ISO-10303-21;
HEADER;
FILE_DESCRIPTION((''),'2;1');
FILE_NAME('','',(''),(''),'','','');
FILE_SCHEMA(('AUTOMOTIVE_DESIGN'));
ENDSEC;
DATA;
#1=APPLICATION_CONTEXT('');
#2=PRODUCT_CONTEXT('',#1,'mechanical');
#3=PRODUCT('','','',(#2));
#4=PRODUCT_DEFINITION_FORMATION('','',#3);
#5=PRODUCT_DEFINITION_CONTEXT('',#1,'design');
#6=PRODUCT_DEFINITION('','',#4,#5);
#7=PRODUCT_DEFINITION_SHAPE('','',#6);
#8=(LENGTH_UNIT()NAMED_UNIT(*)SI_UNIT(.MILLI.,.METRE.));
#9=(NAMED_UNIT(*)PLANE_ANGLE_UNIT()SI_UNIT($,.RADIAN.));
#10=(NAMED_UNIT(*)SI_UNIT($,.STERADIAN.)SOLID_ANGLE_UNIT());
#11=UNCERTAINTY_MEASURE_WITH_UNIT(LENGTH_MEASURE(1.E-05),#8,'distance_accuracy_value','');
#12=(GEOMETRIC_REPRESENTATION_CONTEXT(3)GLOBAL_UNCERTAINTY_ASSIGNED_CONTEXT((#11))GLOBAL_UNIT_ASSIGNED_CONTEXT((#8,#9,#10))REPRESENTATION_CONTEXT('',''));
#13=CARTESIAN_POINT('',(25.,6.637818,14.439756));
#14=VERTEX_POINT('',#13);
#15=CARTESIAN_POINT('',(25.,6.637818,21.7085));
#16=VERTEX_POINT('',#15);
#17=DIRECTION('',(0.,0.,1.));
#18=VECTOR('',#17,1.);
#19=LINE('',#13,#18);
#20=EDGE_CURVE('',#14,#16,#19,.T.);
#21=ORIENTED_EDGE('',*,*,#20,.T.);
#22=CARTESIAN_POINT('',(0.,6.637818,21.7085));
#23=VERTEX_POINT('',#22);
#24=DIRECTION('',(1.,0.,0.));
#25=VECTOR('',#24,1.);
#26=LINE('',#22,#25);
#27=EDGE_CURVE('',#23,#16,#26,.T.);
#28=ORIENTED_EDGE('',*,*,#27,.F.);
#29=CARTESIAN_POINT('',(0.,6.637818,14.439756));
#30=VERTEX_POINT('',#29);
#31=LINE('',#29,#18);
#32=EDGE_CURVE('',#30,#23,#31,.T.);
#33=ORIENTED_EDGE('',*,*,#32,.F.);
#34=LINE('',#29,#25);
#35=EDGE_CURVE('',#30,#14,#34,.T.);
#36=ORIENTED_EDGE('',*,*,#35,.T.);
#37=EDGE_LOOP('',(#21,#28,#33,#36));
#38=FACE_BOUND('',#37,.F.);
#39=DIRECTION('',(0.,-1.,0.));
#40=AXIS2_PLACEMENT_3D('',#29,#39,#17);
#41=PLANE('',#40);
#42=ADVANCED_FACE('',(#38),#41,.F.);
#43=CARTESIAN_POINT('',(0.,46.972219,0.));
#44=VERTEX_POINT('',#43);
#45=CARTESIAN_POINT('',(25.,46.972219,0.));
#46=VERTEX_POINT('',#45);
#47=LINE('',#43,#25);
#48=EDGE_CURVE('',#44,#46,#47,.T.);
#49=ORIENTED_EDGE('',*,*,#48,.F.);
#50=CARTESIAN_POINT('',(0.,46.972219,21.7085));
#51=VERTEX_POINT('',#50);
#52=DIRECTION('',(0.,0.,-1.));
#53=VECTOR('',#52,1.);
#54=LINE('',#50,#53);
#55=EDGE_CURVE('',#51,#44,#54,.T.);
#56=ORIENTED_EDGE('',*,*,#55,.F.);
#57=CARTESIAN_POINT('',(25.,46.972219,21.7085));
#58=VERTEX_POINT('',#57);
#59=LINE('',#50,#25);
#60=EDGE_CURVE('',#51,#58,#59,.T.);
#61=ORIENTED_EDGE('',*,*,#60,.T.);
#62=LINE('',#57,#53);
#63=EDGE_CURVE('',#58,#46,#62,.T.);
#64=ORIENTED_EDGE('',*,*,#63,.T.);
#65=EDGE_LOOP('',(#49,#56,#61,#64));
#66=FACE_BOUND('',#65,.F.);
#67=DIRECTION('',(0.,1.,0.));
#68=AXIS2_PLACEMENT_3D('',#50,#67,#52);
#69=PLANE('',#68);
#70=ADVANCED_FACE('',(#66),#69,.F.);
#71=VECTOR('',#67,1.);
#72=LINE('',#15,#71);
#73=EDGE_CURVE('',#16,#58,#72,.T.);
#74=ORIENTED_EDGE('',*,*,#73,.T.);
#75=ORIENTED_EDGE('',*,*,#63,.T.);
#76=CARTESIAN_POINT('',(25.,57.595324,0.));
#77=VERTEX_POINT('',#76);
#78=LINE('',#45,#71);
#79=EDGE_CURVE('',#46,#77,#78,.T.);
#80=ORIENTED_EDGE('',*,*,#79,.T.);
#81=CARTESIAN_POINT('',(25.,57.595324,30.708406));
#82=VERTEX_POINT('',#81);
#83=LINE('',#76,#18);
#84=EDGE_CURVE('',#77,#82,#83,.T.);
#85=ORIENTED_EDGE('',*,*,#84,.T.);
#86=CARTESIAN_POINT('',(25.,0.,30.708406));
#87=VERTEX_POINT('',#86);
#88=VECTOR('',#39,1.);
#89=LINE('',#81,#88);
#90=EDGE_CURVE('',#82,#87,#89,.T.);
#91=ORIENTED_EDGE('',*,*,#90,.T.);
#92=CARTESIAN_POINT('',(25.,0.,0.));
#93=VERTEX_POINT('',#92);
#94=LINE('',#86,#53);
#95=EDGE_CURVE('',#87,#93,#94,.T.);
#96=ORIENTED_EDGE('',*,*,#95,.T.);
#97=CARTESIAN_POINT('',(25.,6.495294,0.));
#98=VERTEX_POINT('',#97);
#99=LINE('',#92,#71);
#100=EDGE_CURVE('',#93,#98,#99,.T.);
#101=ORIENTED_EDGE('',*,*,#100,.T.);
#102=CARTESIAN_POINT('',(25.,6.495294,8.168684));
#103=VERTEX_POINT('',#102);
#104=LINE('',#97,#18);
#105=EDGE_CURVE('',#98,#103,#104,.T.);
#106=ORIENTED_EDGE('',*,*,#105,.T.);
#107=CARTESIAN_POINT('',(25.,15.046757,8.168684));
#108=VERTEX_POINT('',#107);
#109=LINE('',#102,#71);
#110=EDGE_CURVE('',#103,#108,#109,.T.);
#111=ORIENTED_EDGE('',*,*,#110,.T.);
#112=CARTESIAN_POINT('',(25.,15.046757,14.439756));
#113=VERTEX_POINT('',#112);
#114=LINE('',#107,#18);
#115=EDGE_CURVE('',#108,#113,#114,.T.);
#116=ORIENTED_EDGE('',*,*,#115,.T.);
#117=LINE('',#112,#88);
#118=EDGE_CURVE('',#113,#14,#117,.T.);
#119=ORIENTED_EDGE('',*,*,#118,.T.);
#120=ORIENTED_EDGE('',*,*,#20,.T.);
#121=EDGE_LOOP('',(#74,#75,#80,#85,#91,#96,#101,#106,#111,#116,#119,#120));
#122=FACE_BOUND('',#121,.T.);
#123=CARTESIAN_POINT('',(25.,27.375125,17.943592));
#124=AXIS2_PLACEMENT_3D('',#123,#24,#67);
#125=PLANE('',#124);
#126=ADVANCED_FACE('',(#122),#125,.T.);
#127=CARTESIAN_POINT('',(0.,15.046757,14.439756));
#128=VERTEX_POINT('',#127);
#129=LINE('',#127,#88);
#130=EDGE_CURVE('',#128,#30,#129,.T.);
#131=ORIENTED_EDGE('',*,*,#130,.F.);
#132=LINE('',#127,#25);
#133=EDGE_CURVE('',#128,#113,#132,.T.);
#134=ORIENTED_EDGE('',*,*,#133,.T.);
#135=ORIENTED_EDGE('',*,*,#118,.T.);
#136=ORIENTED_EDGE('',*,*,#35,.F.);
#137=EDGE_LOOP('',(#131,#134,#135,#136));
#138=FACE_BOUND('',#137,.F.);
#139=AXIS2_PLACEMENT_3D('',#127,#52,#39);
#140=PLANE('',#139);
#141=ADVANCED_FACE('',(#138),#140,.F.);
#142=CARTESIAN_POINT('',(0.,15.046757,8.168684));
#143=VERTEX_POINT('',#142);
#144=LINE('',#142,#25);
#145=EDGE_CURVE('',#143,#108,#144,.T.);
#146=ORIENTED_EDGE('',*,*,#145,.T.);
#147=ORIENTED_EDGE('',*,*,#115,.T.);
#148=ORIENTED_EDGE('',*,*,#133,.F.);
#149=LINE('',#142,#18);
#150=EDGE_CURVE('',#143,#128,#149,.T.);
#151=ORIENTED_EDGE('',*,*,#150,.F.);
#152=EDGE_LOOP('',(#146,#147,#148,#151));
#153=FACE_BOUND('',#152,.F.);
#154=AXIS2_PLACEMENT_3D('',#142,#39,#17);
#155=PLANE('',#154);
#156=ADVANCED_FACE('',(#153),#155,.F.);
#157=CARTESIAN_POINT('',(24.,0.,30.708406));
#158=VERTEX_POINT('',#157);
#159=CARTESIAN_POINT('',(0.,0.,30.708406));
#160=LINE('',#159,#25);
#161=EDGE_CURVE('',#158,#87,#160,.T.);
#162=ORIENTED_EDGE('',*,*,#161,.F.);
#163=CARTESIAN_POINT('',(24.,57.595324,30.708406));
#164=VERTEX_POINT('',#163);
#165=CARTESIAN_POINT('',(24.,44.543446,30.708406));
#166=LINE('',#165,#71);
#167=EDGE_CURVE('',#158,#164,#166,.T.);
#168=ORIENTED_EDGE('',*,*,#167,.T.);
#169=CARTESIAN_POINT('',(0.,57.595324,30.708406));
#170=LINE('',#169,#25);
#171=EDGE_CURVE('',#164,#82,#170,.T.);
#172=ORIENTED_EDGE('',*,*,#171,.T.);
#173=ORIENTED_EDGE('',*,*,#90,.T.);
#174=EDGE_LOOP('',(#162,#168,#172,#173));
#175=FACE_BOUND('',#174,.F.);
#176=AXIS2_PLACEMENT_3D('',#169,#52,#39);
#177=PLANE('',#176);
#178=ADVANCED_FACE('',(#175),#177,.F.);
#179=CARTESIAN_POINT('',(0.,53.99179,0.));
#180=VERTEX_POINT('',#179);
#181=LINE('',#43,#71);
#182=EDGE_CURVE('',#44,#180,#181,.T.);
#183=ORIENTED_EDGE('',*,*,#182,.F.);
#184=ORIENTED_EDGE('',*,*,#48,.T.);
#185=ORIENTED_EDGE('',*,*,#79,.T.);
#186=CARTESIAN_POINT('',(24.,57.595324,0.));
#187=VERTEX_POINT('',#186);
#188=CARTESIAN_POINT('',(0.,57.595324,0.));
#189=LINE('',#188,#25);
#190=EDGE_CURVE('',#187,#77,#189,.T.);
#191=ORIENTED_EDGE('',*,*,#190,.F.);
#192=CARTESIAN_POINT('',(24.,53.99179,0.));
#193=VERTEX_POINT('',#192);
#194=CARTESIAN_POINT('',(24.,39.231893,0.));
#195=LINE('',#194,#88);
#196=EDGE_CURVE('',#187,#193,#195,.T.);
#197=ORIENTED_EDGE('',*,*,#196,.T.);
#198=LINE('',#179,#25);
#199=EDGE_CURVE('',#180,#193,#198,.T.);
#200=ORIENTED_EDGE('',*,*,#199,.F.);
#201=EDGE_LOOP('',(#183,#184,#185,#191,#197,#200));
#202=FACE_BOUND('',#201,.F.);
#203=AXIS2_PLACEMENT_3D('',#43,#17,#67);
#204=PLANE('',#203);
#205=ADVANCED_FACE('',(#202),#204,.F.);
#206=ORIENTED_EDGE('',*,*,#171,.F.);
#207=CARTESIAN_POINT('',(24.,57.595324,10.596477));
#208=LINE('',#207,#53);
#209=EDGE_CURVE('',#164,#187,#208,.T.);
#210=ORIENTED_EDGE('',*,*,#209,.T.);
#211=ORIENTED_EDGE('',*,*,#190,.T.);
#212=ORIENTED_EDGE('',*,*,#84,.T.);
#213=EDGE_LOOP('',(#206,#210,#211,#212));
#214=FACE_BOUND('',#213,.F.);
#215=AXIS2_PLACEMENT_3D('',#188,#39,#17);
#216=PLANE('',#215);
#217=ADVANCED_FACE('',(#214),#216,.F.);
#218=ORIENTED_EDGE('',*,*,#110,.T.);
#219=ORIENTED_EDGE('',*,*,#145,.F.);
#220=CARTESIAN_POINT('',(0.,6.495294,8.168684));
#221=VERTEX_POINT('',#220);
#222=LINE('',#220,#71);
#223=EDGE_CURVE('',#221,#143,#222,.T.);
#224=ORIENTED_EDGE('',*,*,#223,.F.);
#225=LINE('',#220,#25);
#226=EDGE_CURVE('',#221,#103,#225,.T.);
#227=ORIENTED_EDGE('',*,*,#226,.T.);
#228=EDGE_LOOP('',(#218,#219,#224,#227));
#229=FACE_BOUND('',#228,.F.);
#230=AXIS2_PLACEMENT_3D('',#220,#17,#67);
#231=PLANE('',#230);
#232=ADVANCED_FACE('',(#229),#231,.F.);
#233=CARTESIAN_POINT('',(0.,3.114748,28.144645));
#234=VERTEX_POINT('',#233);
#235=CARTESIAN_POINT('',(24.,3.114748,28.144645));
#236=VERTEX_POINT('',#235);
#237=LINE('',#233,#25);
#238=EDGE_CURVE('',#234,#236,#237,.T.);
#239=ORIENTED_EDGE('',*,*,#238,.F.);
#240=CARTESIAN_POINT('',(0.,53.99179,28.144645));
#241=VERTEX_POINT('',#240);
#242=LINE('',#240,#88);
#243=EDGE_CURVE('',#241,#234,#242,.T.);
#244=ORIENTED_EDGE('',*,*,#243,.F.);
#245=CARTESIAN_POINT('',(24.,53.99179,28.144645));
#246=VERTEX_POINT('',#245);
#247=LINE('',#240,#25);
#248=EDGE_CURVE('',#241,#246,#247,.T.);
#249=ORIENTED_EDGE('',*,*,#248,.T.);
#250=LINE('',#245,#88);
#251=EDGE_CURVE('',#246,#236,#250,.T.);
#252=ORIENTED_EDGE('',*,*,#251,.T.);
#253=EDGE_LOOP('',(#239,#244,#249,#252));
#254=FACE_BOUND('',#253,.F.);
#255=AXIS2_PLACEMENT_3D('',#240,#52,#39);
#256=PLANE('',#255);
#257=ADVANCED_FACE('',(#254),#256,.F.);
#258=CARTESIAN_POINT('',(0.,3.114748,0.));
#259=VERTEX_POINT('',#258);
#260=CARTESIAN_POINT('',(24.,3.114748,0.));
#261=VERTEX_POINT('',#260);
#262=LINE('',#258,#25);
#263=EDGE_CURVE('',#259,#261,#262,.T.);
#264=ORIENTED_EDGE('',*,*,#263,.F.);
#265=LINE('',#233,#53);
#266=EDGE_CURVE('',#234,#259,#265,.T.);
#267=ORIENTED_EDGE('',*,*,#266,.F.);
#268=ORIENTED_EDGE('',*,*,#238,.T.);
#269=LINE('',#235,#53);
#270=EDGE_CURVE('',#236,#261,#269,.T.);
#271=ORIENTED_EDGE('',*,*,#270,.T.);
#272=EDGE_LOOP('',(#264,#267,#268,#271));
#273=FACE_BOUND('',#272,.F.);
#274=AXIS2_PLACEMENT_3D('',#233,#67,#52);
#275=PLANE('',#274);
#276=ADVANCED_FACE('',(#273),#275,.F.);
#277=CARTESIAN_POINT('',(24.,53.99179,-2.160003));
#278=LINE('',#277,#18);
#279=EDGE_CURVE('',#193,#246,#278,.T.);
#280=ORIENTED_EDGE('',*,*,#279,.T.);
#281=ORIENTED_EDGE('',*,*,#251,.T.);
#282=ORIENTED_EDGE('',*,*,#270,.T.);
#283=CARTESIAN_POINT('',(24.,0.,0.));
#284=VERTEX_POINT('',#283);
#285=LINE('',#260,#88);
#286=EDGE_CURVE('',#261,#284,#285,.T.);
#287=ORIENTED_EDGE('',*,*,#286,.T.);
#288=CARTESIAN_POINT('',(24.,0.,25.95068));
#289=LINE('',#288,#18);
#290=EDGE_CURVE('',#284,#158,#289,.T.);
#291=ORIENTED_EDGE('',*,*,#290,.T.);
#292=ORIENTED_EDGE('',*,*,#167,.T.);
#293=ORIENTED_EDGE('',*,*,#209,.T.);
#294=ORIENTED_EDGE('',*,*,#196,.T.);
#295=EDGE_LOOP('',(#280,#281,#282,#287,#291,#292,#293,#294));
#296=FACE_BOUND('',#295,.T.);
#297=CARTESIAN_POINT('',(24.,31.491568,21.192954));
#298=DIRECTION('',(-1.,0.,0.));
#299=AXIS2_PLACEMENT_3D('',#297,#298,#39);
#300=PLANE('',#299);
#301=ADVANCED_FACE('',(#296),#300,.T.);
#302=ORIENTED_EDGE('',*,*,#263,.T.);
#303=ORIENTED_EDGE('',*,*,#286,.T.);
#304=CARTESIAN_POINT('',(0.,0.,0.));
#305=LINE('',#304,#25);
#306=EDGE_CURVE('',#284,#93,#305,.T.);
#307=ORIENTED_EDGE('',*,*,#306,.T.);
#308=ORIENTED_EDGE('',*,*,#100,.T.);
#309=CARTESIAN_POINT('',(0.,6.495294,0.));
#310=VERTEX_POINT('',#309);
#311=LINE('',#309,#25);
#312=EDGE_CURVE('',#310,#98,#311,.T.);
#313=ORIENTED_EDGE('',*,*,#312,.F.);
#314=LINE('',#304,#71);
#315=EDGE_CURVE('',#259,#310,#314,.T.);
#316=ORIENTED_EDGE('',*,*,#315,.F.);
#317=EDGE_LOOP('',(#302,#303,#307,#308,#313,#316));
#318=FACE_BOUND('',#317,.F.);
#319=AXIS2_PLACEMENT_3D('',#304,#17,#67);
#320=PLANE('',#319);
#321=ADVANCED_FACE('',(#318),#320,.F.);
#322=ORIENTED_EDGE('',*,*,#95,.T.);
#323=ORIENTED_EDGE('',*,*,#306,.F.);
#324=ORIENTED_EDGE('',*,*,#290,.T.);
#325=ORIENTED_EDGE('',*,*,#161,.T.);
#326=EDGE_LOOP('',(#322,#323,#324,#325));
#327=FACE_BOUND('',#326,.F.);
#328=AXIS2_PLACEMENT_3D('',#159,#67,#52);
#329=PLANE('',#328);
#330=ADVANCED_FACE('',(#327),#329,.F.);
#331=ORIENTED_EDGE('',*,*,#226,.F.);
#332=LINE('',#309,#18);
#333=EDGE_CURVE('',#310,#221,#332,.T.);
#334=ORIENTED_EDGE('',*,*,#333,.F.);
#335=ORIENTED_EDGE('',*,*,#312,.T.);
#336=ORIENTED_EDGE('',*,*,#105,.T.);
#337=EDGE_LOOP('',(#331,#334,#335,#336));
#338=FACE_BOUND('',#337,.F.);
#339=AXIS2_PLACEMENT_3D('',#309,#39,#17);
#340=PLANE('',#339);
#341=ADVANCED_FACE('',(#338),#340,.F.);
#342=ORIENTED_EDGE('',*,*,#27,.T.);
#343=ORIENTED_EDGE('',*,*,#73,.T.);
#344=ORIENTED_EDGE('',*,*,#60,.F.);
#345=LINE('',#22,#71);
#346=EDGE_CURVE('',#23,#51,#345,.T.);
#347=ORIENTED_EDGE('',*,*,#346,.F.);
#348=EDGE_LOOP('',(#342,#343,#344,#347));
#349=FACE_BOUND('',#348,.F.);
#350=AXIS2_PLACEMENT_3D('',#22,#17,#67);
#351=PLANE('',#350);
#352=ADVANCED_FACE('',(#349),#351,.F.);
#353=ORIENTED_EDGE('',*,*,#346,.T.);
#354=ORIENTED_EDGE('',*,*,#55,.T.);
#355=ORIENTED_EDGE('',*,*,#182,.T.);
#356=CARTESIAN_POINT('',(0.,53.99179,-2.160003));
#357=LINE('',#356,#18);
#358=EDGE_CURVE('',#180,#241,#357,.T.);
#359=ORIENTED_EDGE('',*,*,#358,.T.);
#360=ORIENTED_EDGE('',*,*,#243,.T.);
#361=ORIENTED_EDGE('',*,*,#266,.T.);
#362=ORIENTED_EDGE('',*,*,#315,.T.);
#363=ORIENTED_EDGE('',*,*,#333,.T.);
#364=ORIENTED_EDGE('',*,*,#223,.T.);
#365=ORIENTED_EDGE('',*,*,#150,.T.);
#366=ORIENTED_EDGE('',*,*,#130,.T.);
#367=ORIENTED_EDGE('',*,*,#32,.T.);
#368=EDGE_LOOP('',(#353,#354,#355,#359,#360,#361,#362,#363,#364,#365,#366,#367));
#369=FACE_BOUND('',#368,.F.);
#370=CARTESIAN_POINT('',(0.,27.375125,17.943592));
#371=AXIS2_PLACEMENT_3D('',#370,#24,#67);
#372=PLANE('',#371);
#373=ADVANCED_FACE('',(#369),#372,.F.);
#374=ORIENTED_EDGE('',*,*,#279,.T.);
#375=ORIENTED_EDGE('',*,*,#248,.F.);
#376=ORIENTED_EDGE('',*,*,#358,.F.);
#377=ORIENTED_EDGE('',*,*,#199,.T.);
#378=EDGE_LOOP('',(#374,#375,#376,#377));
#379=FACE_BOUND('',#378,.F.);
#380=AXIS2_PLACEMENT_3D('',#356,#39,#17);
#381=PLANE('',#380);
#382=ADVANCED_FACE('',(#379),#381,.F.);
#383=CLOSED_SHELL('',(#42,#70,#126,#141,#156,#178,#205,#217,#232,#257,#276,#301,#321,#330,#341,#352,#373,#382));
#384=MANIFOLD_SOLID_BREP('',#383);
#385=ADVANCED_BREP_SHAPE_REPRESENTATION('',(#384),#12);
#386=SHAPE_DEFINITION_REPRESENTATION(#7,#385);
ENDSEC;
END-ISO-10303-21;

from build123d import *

# Parameters (mm, degrees)
F1_DEPTH = 25
F3_DEPTH = 24


with BuildPart() as f1:
    # F0 (on Right) → F1 (new body)
    with BuildSketch(Plane.YZ):
        Polygon((0, 30.708406), (0, 0), (6.495294, 0), (6.495294, 8.168684), (15.046757, 8.168684), (15.046757, 14.439756), (6.637818, 14.439756), (6.637818, 21.7085), (46.972219, 21.7085), (46.972219, 0), (57.595324, 0), (57.595324, 30.708406), align=None)
    extrude(amount=F1_DEPTH)

    # F2 (on face) → F3 (cut)
    with BuildSketch(Plane(origin=(0, 0, 0), x_dir=(0, -1, 0), z_dir=(-1, 0, 0))):
        Polygon((-53.99179, -2.160003), (-53.99179, 28.144645), (-3.114748, 28.144645), (-3.114748, 0), (2.5671, 0), (2.5671, 33.474556), (-65.965217, 33.474556), (-65.965217, -2.160003), align=None)
    extrude(amount=-F3_DEPTH, mode=Mode.SUBTRACT)


solid = f1.part
